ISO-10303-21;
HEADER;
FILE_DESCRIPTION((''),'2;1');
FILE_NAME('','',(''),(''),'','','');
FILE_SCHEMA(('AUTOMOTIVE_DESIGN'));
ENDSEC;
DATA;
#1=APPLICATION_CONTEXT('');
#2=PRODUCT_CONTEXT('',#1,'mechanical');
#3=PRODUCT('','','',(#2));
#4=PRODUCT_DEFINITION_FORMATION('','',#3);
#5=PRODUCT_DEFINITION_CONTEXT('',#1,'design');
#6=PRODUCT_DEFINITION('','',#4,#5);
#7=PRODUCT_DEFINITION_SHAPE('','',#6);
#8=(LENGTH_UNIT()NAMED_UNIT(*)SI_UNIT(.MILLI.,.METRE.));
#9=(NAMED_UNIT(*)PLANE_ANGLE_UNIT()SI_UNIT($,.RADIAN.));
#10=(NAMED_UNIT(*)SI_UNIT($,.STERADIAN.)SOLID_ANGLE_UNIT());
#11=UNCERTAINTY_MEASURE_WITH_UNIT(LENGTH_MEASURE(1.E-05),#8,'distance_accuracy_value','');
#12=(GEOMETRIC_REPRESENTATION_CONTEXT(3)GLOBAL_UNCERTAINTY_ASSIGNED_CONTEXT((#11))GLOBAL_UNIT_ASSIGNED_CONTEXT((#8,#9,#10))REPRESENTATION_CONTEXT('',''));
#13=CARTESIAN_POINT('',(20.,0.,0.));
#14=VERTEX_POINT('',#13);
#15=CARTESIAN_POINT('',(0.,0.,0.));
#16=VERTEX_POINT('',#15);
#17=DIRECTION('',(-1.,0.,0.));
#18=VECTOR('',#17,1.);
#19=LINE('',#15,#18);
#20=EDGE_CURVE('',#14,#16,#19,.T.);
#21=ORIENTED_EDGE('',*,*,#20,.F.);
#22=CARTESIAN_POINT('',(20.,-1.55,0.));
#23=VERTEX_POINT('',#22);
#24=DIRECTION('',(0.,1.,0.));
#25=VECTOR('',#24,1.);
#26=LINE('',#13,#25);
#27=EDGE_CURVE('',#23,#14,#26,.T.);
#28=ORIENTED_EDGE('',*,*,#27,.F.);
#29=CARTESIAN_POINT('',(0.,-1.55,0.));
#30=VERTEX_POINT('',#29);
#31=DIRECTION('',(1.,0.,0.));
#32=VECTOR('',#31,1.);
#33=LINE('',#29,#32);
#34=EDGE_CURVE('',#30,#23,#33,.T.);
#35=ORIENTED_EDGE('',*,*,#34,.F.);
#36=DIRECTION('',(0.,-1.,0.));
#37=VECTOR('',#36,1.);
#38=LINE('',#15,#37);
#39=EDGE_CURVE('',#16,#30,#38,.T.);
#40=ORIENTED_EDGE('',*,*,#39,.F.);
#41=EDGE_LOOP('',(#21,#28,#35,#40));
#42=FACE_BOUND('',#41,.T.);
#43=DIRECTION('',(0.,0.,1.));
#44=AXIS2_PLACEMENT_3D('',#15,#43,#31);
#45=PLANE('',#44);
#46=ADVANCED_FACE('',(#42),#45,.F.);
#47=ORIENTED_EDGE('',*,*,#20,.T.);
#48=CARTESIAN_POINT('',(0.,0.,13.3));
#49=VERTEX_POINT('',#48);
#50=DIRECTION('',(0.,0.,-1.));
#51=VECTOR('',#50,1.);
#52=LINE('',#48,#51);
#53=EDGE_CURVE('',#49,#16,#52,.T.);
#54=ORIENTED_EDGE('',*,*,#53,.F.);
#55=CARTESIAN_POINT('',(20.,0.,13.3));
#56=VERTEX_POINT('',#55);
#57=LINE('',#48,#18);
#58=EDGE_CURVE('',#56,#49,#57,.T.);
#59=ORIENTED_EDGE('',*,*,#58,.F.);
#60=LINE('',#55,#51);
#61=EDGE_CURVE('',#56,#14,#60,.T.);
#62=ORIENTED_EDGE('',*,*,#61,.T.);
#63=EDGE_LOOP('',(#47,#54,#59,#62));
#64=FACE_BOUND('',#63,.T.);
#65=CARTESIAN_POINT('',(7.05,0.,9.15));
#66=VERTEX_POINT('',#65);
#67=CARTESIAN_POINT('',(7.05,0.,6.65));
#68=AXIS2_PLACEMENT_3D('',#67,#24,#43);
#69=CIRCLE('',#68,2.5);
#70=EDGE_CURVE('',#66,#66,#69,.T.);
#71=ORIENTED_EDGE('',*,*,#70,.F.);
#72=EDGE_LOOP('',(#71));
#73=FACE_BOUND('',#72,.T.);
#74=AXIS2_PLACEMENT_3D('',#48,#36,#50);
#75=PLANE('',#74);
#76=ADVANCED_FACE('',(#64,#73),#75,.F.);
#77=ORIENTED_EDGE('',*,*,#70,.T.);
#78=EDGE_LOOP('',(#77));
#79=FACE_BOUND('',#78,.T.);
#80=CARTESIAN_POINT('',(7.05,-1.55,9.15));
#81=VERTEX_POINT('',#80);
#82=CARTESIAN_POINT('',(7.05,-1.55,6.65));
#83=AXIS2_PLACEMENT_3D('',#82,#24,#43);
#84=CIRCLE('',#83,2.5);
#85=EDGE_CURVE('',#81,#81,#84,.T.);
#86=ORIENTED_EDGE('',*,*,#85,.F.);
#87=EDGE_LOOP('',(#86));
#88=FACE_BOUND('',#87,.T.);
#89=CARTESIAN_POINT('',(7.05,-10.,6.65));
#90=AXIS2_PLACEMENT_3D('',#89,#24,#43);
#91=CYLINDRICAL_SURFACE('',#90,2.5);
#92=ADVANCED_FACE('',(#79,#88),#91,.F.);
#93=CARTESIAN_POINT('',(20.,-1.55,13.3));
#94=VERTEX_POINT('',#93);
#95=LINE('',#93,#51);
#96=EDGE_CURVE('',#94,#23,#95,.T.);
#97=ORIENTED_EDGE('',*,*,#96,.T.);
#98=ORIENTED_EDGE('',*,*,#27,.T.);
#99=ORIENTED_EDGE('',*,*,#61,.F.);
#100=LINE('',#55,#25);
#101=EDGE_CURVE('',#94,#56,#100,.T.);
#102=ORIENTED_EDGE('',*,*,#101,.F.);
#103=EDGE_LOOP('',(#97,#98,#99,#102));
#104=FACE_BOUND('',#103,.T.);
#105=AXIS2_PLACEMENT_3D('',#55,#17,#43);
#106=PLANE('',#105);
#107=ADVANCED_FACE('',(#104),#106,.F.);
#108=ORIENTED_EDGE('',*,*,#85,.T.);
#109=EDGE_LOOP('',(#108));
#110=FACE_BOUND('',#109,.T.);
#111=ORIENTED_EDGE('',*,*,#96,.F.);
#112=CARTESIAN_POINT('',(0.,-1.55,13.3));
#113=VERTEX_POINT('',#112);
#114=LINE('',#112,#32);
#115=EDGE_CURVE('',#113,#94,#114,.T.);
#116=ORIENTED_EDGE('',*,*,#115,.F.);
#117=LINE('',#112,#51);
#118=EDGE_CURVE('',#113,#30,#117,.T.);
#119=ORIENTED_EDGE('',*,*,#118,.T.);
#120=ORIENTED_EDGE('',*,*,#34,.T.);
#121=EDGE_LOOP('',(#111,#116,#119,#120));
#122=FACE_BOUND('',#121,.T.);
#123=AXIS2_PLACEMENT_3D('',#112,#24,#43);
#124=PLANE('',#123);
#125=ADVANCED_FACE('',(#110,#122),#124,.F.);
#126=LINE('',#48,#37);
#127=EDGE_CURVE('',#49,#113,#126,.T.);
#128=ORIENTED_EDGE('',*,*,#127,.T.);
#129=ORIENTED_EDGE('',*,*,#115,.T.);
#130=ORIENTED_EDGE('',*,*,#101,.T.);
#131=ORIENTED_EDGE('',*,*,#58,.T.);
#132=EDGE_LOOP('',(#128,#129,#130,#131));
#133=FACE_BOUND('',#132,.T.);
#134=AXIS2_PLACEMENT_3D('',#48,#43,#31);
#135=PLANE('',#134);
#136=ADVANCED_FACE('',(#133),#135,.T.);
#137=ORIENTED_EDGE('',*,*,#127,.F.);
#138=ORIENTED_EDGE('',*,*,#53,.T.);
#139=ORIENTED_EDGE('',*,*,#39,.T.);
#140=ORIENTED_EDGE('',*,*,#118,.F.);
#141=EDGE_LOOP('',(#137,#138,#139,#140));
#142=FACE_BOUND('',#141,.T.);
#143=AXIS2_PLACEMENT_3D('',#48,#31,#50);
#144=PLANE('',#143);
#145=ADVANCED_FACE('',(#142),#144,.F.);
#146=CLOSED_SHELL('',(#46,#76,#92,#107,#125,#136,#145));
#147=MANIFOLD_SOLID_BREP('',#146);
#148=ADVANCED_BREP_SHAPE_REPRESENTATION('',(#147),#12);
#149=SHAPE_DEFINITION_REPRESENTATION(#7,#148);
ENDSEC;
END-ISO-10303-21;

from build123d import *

# Parameters (mm, degrees)
SKETCH1_W           = 20
SKETCH1_H           = 1.55
BOSS_EXTRUDE1_DEPTH = 13.3
SKETCH2_R           = 2.5
CUT_EXTRUDE1_DEPTH  = 10


with BuildPart() as part:
    # Sketch1 → Boss-Extrude1 (new body)
    with BuildSketch(Plane.XY):
        with Locations((10, -0.775)):
            Rectangle(SKETCH1_W, SKETCH1_H)
    extrude(amount=BOSS_EXTRUDE1_DEPTH)

    # Sketch2 → Cut-Extrude1 (cut)
    with BuildSketch(Plane(origin=(0, 0, 0), x_dir=(1, 0, 0), z_dir=(0, 1, 0))):
        with Locations(Location((7.05, -6.65, 0), (0, 0, 270))):
            Circle(SKETCH2_R)
    extrude(amount=-CUT_EXTRUDE1_DEPTH, mode=Mode.SUBTRACT)


solid = part.part
